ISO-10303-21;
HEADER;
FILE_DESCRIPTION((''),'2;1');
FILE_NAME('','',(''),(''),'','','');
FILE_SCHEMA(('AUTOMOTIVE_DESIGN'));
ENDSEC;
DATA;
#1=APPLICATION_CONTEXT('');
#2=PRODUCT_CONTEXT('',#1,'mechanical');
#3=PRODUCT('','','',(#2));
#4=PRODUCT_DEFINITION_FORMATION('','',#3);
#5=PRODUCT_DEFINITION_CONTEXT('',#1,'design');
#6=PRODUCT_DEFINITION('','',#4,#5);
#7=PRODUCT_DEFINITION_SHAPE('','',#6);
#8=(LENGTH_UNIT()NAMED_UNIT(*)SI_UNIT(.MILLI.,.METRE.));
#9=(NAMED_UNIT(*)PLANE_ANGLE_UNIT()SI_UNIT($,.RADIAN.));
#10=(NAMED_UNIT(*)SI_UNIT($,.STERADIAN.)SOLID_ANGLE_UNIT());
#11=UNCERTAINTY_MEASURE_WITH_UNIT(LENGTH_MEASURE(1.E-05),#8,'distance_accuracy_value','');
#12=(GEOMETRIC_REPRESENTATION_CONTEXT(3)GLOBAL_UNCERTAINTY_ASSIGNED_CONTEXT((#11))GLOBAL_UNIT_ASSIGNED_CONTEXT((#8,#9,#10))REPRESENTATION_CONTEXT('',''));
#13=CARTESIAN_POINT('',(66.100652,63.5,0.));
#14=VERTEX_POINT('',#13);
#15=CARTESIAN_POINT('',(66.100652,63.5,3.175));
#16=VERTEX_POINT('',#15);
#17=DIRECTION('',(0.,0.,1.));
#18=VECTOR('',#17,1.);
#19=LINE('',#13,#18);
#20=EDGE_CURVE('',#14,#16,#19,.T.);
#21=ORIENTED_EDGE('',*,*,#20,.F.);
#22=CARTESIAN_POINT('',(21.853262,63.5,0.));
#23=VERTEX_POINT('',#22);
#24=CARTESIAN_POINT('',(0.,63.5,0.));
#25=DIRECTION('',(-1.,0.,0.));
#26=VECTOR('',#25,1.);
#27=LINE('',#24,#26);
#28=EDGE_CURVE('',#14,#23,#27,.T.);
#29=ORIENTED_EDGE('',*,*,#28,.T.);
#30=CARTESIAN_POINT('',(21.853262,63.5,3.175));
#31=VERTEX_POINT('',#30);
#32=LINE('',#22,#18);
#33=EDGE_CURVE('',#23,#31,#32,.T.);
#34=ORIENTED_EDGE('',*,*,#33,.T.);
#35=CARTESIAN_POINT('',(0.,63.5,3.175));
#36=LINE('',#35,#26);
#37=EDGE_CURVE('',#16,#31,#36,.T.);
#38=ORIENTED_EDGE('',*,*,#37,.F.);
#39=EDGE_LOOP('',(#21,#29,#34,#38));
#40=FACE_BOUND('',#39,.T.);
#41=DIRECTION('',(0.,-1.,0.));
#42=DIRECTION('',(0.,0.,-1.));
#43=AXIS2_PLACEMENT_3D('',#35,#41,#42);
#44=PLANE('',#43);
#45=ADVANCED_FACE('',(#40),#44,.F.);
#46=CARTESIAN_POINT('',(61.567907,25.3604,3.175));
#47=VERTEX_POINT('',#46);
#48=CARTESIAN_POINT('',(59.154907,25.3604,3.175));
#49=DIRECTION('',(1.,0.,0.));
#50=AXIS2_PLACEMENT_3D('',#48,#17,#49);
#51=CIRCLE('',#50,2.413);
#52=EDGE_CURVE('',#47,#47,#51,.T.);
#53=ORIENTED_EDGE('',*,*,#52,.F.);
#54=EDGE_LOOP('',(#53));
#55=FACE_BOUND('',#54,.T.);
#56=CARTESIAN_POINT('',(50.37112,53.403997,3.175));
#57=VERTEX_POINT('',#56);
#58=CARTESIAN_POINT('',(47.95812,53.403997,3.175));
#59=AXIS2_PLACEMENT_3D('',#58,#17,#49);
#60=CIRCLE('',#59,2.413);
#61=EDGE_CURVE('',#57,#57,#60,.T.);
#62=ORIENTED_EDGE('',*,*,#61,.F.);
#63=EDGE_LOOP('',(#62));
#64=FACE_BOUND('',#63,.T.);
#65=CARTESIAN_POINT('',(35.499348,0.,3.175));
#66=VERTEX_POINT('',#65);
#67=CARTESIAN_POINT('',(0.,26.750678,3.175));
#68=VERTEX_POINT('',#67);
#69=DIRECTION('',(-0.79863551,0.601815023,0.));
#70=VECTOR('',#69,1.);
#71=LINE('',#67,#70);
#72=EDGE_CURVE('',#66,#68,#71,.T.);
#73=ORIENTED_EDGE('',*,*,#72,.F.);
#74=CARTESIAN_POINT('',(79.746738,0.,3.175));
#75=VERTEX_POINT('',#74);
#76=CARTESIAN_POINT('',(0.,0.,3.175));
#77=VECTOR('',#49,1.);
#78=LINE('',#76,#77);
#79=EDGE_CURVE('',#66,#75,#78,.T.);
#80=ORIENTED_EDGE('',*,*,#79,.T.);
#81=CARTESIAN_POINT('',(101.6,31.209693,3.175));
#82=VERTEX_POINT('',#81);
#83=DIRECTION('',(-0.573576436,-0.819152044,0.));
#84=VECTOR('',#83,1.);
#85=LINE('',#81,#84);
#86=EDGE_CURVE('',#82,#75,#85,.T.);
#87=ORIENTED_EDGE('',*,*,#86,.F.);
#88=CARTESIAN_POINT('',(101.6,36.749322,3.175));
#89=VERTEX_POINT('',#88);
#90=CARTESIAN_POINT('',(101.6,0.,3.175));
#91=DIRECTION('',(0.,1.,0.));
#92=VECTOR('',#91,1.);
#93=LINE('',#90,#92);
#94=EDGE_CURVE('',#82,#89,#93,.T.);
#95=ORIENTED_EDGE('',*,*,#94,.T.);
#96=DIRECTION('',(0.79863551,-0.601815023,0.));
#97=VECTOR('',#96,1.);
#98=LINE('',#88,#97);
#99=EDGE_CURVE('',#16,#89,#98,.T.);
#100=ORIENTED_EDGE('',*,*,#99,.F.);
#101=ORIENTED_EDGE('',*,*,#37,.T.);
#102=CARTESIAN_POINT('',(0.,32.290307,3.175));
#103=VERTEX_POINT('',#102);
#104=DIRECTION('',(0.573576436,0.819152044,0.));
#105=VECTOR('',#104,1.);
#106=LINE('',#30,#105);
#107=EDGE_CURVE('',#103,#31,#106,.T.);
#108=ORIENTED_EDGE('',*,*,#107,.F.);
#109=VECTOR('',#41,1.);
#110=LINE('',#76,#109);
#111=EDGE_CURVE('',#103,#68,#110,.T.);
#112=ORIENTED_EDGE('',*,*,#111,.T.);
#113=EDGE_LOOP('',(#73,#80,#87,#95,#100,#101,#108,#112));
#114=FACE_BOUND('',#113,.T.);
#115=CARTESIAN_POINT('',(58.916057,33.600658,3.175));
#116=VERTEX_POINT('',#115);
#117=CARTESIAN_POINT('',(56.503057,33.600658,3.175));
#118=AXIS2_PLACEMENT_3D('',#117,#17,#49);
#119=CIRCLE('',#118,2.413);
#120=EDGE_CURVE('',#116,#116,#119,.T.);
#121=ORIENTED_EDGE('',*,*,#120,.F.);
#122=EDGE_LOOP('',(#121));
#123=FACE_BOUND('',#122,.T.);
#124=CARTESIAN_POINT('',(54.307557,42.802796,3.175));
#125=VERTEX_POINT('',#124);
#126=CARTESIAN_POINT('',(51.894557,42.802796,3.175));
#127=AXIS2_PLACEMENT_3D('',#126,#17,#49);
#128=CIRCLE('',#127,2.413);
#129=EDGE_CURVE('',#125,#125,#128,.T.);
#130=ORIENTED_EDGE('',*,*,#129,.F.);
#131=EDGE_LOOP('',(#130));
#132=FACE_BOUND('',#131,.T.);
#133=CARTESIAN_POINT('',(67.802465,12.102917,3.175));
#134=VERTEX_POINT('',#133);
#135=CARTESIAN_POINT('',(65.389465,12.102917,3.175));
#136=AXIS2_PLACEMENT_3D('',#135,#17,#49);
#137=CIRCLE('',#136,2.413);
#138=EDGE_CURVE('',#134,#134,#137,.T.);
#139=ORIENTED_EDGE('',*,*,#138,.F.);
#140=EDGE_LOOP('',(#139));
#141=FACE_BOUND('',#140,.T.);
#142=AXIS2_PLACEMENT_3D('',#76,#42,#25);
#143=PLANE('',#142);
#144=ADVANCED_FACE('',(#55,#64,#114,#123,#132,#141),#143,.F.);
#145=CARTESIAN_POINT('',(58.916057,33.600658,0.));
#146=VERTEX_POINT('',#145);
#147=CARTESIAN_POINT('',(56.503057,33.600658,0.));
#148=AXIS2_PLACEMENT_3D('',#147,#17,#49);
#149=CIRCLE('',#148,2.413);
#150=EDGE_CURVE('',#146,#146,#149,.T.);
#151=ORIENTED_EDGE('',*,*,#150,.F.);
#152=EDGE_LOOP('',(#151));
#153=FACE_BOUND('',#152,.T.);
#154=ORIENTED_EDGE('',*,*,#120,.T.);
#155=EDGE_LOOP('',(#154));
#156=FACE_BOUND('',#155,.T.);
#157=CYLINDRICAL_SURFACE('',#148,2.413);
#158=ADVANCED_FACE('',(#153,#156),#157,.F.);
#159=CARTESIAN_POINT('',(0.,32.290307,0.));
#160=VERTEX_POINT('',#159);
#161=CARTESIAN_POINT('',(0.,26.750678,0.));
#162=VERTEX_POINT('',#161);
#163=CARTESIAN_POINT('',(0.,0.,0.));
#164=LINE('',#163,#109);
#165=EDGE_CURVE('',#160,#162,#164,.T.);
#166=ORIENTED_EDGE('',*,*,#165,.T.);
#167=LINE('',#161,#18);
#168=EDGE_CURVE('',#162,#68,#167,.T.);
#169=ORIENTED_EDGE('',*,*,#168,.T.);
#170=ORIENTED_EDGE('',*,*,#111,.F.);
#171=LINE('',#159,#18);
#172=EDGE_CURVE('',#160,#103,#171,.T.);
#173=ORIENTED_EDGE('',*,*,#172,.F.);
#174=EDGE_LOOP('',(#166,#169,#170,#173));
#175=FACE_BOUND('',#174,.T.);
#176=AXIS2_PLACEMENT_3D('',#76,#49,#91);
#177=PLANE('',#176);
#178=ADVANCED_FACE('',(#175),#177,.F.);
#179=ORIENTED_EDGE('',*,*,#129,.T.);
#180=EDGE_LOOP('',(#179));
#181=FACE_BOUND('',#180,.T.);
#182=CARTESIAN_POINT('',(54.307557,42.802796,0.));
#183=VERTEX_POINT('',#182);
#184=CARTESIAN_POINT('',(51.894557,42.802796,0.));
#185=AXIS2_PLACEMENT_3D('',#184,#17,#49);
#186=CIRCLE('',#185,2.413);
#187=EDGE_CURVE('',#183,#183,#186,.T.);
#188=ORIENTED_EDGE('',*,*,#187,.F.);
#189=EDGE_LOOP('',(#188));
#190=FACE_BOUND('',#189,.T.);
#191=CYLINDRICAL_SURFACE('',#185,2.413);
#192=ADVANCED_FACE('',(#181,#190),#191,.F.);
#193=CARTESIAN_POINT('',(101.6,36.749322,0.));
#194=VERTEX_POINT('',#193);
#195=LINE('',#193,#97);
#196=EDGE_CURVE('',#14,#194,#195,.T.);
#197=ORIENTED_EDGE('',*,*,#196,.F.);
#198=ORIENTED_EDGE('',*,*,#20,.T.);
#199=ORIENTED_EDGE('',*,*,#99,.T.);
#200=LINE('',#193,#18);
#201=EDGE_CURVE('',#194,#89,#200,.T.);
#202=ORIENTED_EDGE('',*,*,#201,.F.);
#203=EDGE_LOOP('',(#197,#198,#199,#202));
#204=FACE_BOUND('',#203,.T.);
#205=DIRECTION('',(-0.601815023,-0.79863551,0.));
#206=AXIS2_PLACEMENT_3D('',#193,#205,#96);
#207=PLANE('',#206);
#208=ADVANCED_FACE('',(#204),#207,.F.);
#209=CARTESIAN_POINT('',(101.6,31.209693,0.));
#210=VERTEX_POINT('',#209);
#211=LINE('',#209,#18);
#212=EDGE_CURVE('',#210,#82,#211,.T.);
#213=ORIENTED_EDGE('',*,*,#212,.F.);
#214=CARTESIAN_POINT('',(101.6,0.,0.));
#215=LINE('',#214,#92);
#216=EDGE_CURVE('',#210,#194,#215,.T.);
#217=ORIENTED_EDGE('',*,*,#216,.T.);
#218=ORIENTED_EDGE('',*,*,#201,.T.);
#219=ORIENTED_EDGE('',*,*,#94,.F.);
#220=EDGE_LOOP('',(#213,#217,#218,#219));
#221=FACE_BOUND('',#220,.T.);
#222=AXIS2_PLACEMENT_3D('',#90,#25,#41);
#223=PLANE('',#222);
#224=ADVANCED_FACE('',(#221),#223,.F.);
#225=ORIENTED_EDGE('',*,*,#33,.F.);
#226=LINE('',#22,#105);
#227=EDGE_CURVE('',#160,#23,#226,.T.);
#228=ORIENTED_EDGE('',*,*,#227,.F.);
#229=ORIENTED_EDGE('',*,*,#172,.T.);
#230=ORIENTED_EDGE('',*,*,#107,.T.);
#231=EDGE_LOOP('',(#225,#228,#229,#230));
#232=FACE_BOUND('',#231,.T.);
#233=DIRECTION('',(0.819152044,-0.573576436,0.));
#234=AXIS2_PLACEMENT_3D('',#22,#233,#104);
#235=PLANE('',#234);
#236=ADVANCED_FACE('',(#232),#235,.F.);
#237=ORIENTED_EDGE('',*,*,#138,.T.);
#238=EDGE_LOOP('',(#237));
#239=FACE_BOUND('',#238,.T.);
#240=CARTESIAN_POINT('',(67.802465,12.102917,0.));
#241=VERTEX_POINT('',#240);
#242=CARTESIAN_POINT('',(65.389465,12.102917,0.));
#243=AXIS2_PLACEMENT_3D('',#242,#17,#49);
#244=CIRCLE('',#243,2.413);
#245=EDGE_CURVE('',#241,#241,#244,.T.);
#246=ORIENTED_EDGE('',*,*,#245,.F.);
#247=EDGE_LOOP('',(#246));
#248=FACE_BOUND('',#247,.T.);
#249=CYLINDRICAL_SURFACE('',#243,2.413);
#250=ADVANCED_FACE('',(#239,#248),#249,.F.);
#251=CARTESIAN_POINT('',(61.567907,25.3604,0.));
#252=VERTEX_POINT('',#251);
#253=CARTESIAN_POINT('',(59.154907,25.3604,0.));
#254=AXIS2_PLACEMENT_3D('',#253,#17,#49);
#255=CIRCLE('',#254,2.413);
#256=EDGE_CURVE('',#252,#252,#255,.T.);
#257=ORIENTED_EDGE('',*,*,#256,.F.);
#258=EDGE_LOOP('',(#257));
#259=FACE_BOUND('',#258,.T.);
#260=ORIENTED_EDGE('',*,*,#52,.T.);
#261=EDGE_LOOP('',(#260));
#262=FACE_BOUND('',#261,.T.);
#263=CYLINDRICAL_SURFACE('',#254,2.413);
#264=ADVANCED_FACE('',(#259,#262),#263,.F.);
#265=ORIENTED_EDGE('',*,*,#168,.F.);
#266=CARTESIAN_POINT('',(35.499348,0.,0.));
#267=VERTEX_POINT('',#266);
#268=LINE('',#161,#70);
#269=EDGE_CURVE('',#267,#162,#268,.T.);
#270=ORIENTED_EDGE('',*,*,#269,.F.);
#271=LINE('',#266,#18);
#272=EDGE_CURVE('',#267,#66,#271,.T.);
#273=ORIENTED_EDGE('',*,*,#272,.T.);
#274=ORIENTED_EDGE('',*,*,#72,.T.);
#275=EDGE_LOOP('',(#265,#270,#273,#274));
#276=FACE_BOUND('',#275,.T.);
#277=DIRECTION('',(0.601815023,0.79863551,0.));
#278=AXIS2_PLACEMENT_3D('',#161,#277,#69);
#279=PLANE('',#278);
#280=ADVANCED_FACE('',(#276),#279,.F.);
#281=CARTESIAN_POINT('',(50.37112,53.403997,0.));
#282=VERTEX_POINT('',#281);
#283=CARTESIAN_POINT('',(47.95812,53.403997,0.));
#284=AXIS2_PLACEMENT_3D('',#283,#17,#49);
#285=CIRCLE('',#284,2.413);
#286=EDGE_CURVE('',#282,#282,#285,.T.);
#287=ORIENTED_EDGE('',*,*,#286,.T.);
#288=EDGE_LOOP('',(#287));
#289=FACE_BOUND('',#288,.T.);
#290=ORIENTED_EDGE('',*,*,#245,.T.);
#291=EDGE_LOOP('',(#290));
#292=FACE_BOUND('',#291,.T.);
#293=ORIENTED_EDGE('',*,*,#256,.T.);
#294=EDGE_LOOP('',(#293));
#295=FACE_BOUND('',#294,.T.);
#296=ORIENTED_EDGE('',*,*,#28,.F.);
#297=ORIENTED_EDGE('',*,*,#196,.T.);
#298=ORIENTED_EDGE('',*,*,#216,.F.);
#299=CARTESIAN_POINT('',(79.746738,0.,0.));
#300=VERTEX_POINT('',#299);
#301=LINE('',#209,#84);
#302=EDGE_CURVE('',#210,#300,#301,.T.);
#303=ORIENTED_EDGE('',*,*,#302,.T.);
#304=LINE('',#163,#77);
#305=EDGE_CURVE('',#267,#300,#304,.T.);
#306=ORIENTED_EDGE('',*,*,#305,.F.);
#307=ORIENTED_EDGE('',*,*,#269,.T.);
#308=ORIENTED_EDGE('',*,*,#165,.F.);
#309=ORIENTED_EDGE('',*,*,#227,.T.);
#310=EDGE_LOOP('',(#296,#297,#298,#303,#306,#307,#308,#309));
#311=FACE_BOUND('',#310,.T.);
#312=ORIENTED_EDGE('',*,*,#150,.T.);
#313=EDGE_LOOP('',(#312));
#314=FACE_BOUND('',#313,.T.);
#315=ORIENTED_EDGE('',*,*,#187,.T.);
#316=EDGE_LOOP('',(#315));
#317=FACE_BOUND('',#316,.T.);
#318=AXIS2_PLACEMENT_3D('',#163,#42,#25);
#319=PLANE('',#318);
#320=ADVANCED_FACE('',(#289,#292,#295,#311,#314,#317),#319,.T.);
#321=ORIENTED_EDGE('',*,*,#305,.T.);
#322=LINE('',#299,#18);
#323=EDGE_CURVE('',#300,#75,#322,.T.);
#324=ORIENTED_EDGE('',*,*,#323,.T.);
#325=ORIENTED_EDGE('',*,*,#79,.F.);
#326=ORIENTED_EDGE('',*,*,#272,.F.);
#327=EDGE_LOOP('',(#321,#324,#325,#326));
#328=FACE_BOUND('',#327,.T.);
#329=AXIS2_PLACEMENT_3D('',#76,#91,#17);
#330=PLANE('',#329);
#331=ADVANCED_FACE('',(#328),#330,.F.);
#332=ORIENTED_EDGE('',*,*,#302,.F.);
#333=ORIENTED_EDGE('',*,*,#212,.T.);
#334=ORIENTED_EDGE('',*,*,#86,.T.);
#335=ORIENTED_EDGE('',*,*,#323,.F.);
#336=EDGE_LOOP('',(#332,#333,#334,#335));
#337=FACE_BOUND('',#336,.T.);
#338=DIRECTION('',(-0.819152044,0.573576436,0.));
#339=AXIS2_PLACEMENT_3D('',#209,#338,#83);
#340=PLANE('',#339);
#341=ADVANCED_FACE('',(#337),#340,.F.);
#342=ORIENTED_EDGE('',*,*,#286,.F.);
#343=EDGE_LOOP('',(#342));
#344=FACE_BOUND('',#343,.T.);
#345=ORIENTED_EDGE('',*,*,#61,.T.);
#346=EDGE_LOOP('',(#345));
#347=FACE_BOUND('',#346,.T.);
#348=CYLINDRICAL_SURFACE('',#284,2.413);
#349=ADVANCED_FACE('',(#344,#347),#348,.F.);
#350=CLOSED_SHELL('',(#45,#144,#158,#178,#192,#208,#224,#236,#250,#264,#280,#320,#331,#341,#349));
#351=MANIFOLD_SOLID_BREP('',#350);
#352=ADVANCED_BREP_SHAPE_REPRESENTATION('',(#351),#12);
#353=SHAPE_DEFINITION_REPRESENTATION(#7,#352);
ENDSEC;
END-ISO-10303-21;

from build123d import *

# Parameters (mm, degrees)
SKETCH1_W           = 101.6
SKETCH1_H           = 63.5
BOSS_EXTRUDE1_DEPTH = 3.175
CUT_EXTRUDE1_DEPTH  = 120.85362166
CUT_EXTRUDE2_DEPTH  = 120.85362166
SKETCH5_R           = 2.413
CUT_EXTRUDE3_DEPTH  = 120.85362166


with BuildPart() as part:
    # Sketch1 → Boss-Extrude1 (new body)
    with BuildSketch(Plane.XY):
        with Locations((50.8, 31.75)):
            Rectangle(SKETCH1_W, SKETCH1_H)
    extrude(amount=BOSS_EXTRUDE1_DEPTH)

    # Sketch2 → Cut-Extrude1 (cut, through all)
    with BuildSketch(Plane.XY.offset(3.175)):
        Polygon((101.6, 31.209692887), (79.746737775, 0), (101.6, 0), align=None)
        Polygon((101.6, 36.749322221), (66.100651578, 63.5), (101.6, 63.5), align=None)
    extrude(amount=-CUT_EXTRUDE1_DEPTH, mode=Mode.SUBTRACT)

    # Sketch3 → Cut-Extrude2 (cut, through all)
    with BuildSketch(Plane.XY.offset(3.175)):
        Polygon((21.853262225, 63.5), (0, 32.290307113), (0, 63.5), align=None)
        Polygon((0, 0), (0, 26.750677779), (35.499348422, 0), align=None)
    extrude(amount=-CUT_EXTRUDE2_DEPTH, mode=Mode.SUBTRACT)

    # Sketch5 → Cut-Extrude3 (cut, through all)
    with BuildSketch(Plane.XY.offset(3.175)):
        with Locations((47.958119633, 53.403997063)):
            Circle(SKETCH5_R)
        with Locations((51.894556786, 42.802795542)):
            Circle(SKETCH5_R)
        with Locations((59.154907323, 25.360400118)):
            Circle(SKETCH5_R)
        with Locations((65.389464521, 12.10291712)):
            Circle(SKETCH5_R)
        with Locations((56.503056774, 33.600657948)):
            Circle(SKETCH5_R)
    extrude(amount=-CUT_EXTRUDE3_DEPTH, mode=Mode.SUBTRACT)


solid = part.part
